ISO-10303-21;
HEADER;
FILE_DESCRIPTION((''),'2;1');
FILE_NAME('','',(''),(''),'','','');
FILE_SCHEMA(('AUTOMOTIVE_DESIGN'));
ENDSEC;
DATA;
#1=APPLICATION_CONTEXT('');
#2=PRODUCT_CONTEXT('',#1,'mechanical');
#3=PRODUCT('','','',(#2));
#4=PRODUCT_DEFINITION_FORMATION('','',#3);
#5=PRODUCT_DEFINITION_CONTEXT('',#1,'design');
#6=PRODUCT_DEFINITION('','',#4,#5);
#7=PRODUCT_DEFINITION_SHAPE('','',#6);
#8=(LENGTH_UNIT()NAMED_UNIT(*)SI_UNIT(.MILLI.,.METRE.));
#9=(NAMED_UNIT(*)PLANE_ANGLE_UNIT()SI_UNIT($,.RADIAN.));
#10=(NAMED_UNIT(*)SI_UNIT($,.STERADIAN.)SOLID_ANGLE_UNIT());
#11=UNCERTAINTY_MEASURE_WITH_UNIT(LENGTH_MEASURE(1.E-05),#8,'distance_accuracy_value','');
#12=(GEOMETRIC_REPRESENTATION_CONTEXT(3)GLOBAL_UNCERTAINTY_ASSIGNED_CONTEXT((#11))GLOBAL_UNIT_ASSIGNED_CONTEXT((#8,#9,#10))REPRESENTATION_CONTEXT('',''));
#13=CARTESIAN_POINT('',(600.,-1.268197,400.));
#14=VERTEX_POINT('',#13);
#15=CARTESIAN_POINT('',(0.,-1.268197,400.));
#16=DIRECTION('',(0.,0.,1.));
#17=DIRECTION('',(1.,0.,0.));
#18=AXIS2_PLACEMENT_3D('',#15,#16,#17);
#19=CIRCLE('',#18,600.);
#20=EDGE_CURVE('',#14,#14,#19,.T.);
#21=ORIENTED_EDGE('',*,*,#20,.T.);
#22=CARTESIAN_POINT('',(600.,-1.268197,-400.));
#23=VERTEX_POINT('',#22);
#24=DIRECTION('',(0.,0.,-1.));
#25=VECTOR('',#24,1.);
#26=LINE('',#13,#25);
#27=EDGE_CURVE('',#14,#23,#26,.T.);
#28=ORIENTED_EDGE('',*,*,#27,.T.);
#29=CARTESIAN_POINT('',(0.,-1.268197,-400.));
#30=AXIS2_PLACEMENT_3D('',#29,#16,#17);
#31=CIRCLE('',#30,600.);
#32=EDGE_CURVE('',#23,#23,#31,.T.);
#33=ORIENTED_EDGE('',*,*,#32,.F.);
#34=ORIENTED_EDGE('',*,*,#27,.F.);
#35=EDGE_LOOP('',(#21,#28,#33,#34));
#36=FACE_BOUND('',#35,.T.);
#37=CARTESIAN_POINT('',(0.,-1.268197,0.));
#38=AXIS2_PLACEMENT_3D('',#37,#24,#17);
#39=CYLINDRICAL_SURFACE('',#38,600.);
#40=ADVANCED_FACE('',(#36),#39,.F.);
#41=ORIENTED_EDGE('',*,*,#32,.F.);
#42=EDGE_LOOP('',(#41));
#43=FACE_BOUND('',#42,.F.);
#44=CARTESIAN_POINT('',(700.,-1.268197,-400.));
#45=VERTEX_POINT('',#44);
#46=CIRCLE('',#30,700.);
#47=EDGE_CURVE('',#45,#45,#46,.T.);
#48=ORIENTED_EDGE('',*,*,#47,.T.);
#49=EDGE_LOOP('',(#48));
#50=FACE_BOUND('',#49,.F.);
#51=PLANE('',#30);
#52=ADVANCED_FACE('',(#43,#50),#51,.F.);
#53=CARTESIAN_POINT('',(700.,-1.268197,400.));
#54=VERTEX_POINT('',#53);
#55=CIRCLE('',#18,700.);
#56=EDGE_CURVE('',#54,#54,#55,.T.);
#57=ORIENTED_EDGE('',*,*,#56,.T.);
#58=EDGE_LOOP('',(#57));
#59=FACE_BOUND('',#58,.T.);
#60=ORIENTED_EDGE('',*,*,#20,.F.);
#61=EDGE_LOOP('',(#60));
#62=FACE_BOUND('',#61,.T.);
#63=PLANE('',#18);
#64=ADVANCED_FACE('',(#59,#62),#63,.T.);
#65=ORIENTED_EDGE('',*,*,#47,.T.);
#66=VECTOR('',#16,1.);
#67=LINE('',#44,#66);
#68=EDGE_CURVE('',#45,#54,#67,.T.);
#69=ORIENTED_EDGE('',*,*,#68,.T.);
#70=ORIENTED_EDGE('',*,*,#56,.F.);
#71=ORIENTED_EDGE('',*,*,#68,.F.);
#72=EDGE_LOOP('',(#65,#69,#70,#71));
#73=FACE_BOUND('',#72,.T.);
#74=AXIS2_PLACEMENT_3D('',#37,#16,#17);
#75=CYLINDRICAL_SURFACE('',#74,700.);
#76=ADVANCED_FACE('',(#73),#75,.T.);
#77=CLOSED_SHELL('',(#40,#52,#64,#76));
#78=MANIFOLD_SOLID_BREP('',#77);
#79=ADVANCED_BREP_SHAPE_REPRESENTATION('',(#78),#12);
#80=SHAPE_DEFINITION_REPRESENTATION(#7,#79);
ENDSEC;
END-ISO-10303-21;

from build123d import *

# Parameters (mm, degrees)
F0_R     = 700
F0_R_2   = 600
F1_DEPTH = 400


with BuildPart() as f1:
    # F0 (on Top) → F1 (new body, symmetric)
    with BuildSketch(Plane.XY):
        with Locations((0, -1.268197)):
            Circle(F0_R)
        with Locations((0, -1.268197)):
            Circle(F0_R_2, mode=Mode.SUBTRACT)
    extrude(amount=F1_DEPTH, both=True)


solid = f1.part
